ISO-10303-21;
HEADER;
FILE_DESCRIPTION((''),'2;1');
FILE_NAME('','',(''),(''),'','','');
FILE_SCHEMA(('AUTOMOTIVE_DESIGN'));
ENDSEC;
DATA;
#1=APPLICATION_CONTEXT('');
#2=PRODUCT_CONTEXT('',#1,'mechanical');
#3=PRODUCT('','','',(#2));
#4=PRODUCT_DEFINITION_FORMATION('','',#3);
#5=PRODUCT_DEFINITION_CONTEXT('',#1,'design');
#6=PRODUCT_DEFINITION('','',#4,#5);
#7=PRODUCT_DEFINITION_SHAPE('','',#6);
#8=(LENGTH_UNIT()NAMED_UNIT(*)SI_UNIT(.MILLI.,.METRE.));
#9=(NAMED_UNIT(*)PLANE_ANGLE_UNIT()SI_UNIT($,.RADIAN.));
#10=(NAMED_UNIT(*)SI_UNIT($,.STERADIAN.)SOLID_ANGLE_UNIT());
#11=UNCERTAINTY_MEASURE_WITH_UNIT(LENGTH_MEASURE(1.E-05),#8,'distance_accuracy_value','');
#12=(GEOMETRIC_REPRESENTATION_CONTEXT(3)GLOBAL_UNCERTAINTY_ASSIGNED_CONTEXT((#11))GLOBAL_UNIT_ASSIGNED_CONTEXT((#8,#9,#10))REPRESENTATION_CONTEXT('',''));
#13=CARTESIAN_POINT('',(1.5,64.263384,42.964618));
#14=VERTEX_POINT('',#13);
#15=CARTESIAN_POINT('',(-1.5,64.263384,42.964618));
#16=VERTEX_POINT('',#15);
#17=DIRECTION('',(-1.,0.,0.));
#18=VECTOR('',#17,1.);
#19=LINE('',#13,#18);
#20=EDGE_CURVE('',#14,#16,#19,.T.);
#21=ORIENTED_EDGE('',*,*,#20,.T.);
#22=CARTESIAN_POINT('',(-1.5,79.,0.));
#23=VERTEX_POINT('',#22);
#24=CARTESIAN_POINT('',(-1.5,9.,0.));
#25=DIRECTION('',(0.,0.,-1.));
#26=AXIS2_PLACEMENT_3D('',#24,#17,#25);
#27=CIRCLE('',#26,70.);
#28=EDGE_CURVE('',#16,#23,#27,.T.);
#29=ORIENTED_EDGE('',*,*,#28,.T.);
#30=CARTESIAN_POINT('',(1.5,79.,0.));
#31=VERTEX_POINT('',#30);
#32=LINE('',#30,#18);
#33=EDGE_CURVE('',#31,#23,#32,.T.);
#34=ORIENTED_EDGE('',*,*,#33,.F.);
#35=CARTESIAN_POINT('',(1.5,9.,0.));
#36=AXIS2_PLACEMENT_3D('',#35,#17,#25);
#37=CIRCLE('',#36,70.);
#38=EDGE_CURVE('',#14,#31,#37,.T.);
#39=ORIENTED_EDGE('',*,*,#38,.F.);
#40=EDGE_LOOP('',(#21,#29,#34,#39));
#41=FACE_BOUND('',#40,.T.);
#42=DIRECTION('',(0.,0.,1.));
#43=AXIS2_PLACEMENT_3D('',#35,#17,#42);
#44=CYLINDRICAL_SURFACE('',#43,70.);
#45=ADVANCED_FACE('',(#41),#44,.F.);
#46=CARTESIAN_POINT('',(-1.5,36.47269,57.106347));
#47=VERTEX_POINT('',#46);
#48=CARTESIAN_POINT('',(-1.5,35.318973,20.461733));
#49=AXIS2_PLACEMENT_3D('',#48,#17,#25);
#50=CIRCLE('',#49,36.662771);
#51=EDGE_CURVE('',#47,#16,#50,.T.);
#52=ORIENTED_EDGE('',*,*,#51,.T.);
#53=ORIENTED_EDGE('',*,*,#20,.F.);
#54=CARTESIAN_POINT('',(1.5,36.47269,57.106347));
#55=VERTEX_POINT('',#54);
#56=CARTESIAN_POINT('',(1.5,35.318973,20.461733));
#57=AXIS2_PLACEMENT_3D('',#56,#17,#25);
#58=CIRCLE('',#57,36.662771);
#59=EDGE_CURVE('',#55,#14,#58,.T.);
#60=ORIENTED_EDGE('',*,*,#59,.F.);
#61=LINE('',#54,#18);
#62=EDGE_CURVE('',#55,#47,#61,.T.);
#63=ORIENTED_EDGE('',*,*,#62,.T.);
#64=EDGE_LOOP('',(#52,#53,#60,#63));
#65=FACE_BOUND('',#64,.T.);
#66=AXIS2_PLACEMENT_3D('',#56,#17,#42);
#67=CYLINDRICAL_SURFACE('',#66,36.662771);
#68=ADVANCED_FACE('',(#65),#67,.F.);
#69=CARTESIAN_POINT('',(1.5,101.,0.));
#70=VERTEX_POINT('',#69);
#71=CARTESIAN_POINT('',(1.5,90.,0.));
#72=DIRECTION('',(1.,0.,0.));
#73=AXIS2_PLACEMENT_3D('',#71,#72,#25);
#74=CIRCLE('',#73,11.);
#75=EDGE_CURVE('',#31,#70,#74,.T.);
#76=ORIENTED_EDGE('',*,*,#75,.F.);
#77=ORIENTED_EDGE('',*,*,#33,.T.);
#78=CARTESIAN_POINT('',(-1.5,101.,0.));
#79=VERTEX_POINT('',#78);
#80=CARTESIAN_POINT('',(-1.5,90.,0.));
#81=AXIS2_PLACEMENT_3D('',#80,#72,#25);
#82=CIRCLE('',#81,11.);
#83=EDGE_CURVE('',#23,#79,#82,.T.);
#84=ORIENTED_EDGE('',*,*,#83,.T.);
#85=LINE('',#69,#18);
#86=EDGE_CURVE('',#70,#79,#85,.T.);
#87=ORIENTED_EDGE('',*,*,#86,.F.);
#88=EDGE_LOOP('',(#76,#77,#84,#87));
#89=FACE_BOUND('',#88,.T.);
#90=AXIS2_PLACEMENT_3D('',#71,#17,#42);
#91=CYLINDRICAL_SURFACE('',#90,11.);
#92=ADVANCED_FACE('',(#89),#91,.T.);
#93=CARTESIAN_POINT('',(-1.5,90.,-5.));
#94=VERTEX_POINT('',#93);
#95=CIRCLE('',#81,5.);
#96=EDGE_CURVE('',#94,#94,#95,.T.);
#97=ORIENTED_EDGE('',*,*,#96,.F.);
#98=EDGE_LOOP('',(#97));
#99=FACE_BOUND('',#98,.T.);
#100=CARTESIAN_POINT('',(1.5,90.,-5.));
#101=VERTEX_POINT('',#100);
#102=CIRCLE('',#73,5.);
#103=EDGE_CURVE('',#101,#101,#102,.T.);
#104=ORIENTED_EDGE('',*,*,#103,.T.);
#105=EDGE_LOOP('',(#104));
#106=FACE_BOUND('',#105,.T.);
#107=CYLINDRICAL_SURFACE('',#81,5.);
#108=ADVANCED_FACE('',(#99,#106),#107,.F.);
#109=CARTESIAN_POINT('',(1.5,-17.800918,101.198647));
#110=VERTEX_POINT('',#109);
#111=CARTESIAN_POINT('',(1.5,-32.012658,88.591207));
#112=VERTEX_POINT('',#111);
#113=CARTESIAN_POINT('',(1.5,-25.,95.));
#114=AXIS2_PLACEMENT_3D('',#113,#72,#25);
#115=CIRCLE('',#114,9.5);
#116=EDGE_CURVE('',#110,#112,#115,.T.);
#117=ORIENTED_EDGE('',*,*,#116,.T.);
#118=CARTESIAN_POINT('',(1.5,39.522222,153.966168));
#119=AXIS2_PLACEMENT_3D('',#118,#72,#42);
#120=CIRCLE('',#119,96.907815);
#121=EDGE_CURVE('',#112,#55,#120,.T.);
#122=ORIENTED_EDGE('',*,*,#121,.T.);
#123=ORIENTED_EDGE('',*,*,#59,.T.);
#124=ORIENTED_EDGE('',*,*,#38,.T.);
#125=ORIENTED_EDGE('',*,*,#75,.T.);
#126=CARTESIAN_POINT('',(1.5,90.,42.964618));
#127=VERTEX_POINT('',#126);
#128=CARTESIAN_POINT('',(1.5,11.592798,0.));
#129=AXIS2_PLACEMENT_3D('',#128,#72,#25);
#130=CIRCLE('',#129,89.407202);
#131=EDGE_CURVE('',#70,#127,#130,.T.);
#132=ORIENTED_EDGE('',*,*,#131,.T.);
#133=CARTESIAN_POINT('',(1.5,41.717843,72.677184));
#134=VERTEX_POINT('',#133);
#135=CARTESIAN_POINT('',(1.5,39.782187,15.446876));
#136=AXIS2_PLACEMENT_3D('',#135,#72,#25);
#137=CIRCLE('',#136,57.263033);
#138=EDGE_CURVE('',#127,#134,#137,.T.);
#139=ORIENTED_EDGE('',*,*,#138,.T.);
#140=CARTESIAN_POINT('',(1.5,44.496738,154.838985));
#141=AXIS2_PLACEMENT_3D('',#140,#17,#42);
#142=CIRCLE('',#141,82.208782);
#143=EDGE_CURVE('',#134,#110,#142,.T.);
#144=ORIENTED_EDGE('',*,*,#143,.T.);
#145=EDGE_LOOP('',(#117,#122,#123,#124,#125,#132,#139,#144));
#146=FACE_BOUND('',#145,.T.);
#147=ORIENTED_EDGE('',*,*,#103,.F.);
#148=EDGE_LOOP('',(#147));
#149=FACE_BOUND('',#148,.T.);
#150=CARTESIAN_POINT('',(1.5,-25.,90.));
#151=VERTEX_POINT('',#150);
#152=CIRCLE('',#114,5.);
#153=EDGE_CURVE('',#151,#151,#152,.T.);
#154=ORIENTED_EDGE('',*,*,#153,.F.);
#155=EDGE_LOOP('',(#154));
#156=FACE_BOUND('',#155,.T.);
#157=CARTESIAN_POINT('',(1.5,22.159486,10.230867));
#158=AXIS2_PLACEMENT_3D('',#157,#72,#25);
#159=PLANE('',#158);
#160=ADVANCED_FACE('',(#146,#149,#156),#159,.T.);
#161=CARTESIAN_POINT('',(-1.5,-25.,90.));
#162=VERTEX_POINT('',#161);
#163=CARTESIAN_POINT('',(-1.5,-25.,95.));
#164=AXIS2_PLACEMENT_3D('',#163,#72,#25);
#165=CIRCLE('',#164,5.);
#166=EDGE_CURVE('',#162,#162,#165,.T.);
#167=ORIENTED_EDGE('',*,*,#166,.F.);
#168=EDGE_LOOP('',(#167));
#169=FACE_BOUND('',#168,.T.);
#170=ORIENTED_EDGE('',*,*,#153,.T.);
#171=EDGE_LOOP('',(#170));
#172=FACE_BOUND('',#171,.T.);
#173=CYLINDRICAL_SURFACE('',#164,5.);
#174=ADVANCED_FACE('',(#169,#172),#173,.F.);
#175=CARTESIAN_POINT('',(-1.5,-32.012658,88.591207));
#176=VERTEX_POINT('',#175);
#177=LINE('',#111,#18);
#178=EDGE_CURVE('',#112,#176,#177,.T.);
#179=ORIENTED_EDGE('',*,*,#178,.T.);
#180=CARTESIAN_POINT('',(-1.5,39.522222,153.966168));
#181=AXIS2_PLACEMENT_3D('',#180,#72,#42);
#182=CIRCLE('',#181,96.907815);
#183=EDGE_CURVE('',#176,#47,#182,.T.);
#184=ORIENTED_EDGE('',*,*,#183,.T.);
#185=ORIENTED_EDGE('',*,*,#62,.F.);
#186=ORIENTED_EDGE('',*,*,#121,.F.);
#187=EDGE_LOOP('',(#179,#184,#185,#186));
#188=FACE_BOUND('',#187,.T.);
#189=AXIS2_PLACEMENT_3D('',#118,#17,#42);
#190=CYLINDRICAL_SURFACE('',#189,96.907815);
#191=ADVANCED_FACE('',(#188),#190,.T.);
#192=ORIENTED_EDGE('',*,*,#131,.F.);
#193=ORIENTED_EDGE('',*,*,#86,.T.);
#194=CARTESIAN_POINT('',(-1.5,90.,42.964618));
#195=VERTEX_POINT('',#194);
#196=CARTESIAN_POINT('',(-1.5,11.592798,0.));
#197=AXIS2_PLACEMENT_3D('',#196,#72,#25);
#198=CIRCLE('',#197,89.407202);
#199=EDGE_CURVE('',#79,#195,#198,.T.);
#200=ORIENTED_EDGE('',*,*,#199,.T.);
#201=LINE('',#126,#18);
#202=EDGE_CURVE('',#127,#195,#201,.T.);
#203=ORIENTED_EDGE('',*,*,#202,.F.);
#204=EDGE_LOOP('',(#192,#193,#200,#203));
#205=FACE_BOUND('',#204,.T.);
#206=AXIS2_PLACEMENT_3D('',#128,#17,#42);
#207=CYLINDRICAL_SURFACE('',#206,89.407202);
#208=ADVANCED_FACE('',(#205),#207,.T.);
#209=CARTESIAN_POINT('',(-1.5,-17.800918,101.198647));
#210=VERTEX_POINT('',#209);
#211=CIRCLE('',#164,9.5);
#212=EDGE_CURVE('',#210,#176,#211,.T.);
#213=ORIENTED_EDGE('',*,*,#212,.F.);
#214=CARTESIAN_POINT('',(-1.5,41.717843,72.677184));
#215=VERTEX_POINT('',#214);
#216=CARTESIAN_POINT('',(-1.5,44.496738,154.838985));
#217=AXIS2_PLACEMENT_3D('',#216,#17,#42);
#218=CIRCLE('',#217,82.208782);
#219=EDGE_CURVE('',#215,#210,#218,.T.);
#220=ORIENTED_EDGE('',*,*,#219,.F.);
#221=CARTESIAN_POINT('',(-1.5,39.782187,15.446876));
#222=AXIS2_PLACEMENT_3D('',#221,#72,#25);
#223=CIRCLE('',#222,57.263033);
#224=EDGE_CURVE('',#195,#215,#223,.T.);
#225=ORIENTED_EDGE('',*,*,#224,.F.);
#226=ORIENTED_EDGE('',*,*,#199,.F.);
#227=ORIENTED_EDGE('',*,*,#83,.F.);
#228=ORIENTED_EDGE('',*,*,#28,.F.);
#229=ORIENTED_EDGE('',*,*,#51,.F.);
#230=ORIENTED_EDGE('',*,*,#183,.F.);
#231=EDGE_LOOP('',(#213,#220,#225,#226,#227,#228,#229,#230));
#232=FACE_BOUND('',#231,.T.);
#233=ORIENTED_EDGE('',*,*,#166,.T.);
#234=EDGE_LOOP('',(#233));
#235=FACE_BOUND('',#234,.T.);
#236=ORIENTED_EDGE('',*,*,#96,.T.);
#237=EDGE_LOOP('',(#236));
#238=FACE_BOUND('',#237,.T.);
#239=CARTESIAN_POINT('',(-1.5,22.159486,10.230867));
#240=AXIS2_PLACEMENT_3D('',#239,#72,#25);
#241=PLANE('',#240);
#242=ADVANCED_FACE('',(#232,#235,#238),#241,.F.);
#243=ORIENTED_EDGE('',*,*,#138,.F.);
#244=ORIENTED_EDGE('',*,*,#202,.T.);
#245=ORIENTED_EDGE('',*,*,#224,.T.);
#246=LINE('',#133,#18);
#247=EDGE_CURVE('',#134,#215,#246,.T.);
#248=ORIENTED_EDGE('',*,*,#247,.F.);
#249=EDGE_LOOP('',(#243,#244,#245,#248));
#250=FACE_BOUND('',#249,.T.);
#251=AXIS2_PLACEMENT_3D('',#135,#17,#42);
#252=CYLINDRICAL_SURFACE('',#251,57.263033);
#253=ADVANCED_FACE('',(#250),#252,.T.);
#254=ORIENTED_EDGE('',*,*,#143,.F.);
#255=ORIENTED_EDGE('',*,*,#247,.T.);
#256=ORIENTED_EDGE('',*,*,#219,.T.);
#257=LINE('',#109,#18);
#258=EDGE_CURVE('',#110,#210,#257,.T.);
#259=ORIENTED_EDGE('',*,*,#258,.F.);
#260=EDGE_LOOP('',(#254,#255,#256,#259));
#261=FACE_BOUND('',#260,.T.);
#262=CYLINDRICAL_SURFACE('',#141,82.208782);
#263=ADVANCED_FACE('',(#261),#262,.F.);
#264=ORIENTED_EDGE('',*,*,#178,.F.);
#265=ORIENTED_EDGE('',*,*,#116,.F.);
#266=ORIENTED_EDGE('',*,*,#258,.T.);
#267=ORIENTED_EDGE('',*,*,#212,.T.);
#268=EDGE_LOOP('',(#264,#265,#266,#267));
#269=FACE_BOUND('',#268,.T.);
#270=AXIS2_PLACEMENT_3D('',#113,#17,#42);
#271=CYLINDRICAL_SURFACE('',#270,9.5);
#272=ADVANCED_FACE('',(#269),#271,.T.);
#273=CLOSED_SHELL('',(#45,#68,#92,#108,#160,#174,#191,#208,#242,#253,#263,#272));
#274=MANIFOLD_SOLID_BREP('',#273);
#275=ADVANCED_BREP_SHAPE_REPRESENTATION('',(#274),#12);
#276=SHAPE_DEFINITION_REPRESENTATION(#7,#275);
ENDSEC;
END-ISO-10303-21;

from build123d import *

# Parameters (mm, degrees)
BOSS_EXTRUDE1_DEPTH = 1.5
SKETCH2_R           = 5
CUT_EXTRUDE1_DEPTH  = 146.362477965


with BuildPart() as part:
    # Sketch1 → Boss-Extrude1 (new, symmetric)
    with BuildSketch(Plane(origin=(0, 0, 0), x_dir=(0, 0, -1), z_dir=(1, 0, 0))):
        with BuildLine():
            ThreePointArc((0, 79), (11, 90), (0, 101))
            ThreePointArc((0, 101), (-22.175202553, 98.206354436), (-42.964618387, 90))
            ThreePointArc((-42.964618387, 90), (-64.215202534, 69.79393834), (-72.677183828, 41.717843046))
            ThreePointArc((-72.677183828, 41.717843046), (-80.702786034, 8.970580762), (-101.198646906, -17.800918355))
            ThreePointArc((-101.198646906, -17.800918355), (-102.106646609, -31.304409091), (-88.591206955, -32.012657963))
            ThreePointArc((-88.591206955, -32.012657963), (-65.917364071, -0.956571375), (-57.106346845, 36.472690449))
            ThreePointArc((-57.106346845, 36.472690449), (-53.137218062, 51.946403572), (-42.964618387, 64.263383599))
            ThreePointArc((-42.964618387, 64.263383599), (-22.710825041, 75.213430858), (0, 79))
        make_face()
    extrude(amount=BOSS_EXTRUDE1_DEPTH, both=True)

    # Sketch2 → Cut-Extrude1 (cut, through all)
    with BuildSketch(Plane(origin=(1.5, 0, 0), x_dir=(0, 0, -1), z_dir=(1, 0, 0))):
        with Locations((0, 90)):
            Circle(SKETCH2_R)
        with Locations((-95, -25)):
            Circle(SKETCH2_R)
    extrude(amount=-CUT_EXTRUDE1_DEPTH, mode=Mode.SUBTRACT)


solid = part.part
